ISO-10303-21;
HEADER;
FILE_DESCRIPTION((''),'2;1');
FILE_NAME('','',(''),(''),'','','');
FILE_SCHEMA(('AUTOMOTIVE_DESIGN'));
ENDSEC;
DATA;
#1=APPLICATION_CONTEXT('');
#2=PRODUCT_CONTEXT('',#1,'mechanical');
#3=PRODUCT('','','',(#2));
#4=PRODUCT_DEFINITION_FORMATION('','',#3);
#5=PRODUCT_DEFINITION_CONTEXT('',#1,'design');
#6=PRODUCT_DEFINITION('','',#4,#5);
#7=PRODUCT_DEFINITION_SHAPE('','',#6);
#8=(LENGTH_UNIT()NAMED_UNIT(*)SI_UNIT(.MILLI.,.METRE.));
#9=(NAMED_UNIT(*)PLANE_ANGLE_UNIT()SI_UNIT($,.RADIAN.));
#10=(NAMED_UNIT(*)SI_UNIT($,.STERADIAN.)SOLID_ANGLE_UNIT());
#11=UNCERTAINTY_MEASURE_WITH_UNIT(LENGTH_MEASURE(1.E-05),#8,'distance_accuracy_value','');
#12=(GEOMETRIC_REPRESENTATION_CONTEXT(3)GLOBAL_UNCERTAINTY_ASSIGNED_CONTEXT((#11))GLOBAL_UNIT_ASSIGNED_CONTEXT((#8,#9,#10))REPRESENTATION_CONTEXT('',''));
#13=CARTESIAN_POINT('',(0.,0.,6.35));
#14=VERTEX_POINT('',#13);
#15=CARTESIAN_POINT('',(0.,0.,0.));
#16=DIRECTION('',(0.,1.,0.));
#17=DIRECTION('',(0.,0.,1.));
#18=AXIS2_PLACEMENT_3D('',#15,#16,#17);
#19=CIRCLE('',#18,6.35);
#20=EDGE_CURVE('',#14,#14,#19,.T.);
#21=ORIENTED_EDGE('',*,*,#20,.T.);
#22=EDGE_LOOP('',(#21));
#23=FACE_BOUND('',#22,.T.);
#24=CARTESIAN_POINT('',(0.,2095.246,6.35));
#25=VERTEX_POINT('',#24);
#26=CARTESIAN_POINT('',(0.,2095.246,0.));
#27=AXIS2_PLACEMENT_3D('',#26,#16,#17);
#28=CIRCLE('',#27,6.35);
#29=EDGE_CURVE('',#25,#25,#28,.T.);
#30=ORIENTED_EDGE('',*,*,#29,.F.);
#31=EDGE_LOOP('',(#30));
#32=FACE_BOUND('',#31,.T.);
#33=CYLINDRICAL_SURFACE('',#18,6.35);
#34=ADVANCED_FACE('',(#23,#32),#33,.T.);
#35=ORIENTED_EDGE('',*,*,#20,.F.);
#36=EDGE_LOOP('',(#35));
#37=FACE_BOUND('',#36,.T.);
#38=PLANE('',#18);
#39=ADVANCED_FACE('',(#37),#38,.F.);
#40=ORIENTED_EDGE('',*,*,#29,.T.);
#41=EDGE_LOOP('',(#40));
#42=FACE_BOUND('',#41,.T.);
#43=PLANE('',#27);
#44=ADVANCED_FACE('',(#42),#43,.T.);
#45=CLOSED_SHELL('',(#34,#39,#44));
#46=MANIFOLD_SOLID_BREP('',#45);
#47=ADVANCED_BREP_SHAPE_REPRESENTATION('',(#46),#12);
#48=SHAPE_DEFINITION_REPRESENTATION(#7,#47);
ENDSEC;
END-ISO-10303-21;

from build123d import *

# Parameters (mm, degrees)
SWEEP1_PROFILE_R = 6.35


with BuildPart() as part:
    # Sweep1: sweep along a path in Sketch1
    with BuildLine(Plane.XY) as sweep1_path:
        Line((0, 0), (0, 2095.246))
    # Sweep1 profile (on start of the path) → Sweep1 (sweep)
    with BuildSketch(Plane.ZX):
        Circle(SWEEP1_PROFILE_R)
    sweep(path=sweep1_path.line)


solid = part.part
